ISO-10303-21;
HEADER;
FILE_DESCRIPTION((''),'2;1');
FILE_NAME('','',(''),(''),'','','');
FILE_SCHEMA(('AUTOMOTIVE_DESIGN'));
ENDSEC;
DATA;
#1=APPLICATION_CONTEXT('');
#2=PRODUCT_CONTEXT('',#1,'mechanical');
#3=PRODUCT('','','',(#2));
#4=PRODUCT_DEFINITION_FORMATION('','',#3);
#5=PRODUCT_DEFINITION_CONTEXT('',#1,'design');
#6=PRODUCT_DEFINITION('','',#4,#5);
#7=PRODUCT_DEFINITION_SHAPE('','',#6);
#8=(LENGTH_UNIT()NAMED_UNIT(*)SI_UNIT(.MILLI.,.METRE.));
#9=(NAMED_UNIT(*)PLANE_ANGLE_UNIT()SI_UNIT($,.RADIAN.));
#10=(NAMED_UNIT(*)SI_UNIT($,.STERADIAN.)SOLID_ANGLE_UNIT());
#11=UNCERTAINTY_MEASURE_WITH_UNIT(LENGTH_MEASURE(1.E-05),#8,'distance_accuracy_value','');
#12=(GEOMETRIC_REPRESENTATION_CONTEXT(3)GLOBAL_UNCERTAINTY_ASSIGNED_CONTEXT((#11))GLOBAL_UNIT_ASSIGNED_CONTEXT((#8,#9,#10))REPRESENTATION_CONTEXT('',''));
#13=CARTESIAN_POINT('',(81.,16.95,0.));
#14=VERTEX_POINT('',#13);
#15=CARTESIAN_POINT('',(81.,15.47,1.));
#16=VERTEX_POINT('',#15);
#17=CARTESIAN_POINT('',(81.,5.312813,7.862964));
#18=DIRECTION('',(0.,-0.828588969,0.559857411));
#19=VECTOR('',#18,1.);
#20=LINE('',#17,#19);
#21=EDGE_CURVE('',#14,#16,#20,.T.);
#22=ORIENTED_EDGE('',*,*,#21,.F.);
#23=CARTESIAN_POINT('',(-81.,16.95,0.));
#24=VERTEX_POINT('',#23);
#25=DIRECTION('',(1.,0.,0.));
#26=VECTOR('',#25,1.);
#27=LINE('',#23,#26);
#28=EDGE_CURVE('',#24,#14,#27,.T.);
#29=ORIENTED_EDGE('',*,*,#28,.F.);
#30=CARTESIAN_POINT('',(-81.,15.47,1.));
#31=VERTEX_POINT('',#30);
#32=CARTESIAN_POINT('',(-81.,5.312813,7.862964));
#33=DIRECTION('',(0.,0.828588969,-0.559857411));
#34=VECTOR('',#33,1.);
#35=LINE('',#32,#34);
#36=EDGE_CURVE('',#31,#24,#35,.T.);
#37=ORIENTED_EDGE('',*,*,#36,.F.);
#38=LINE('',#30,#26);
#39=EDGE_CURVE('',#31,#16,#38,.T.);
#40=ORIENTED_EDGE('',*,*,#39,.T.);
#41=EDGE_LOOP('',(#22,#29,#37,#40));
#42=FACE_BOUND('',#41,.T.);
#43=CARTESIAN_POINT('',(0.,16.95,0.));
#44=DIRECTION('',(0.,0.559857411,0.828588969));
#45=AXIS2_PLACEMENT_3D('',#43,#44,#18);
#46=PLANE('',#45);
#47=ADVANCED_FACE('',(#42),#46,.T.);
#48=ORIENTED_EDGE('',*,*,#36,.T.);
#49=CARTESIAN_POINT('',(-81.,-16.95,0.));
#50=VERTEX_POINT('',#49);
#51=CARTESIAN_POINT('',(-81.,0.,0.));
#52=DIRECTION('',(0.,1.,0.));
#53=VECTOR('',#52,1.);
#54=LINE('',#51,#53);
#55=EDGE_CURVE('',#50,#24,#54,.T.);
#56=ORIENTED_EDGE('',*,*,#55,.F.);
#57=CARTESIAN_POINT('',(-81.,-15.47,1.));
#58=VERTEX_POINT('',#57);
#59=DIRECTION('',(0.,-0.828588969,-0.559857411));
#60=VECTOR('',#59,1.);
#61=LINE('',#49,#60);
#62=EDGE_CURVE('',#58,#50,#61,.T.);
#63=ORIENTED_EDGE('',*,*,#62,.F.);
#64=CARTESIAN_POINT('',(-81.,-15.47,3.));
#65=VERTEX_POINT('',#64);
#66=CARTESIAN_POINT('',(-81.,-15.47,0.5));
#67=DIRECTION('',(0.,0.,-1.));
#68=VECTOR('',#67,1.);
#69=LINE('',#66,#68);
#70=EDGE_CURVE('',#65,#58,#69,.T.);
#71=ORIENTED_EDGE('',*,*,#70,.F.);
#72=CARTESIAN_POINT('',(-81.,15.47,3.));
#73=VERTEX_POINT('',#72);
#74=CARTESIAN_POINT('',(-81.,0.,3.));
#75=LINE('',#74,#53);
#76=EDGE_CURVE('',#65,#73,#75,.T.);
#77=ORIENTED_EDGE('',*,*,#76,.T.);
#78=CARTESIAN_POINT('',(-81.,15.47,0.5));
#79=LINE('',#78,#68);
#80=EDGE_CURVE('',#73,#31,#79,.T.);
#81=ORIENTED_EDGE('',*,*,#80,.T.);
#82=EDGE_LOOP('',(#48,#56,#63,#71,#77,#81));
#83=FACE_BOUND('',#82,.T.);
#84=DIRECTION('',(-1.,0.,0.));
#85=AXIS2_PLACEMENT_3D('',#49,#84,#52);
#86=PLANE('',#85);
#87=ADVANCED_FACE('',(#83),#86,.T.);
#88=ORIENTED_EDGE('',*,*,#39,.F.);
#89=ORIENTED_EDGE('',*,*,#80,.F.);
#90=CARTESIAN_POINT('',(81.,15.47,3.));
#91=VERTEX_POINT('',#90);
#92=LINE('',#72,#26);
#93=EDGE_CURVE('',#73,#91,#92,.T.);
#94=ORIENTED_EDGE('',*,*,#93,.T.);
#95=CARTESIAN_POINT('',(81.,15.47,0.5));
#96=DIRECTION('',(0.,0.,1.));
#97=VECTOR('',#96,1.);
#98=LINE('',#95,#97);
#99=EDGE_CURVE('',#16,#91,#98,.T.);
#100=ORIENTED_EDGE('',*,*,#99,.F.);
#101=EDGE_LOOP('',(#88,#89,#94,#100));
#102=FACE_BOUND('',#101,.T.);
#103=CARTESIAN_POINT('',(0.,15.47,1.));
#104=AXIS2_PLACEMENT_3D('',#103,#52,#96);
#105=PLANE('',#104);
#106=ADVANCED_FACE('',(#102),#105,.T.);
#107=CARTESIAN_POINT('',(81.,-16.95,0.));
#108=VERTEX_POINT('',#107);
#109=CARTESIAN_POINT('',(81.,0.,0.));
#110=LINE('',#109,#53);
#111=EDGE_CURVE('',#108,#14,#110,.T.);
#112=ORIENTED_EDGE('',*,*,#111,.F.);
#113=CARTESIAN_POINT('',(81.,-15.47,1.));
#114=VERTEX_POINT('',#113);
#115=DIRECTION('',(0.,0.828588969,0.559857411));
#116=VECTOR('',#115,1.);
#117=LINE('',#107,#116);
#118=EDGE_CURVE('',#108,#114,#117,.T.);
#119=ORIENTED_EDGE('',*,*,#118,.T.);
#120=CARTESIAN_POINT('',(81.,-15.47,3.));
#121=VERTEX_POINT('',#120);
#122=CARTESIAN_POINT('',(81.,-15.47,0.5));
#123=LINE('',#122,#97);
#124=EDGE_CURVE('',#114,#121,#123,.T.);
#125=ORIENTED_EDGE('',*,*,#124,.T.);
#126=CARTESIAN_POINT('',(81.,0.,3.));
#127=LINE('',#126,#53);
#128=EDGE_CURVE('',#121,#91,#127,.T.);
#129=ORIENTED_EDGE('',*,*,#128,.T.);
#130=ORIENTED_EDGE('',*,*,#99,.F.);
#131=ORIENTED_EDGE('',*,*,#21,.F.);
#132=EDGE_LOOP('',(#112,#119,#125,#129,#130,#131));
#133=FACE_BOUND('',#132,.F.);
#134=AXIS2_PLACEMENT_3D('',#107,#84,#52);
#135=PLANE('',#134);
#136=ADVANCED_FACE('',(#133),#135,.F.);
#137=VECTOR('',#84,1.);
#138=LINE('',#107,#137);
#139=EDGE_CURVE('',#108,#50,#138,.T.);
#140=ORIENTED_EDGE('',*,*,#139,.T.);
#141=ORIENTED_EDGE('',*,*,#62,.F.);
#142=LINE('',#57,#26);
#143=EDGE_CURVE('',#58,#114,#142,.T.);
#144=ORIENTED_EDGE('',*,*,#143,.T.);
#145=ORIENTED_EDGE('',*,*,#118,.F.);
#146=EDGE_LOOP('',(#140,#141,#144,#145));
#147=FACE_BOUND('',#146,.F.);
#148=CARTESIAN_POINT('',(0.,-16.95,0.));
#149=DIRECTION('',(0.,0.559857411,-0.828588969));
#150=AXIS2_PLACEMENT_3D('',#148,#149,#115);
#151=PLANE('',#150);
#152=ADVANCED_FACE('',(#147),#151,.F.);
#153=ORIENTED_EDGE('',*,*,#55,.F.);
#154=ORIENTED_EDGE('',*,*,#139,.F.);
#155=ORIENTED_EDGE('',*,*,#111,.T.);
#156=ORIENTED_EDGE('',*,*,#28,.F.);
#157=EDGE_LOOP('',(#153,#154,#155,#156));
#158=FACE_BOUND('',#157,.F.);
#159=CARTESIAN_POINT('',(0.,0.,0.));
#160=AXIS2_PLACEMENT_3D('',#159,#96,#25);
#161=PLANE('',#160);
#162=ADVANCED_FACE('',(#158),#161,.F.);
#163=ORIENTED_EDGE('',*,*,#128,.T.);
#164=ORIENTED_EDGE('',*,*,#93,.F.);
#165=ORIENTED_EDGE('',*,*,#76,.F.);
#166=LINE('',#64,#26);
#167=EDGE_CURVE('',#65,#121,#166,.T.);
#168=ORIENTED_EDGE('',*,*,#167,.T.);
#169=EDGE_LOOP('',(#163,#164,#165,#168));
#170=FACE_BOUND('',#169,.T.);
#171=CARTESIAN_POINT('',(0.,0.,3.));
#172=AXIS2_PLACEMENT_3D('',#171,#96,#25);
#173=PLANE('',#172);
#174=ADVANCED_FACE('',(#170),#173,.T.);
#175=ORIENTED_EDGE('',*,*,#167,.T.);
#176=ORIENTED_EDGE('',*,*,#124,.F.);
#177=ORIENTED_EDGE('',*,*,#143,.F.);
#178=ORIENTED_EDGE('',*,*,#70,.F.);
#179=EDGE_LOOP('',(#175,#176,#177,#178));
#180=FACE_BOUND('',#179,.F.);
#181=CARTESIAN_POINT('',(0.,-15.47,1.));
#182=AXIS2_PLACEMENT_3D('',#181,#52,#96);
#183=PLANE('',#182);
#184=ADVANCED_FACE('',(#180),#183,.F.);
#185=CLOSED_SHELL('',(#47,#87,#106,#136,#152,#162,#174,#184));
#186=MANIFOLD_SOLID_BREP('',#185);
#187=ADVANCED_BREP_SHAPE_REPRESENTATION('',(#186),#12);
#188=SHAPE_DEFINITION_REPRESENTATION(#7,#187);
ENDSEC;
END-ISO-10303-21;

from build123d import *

# Parameters (mm, degrees)
SKETCH_W             = 162
SKETCH_H             = 33.9
PAD_DEPTH            = 3
POCKET_DEPTH         = 81.001
POCKET_DEPTH_BACK    = 81.001
POCKET001_DEPTH      = 81.001
POCKET001_DEPTH_BACK = 81.001


with BuildPart() as part:
    # Sketch → Pad (new body)
    with BuildSketch(Plane.XY):
        Rectangle(SKETCH_W, SKETCH_H)
    extrude(amount=PAD_DEPTH)

    # Sketch001 → Pocket (cut, two sides)
    with BuildSketch(Plane.YZ) as pocket_sk:
        Polygon((15.47, 3), (16.95, 3), (16.95, 0), (15.47, 1), align=None)
    extrude(amount=-POCKET_DEPTH, mode=Mode.SUBTRACT)
    extrude(pocket_sk.sketch, amount=POCKET_DEPTH_BACK, mode=Mode.SUBTRACT)

    # MirroredSketch → Pocket001 (cut, two sides)
    with BuildSketch(Plane.YZ) as pocket001_sk:
        Polygon((-15.47, 3), (-16.95, 3), (-16.95, 0), (-15.47, 1), align=None)
    extrude(amount=-POCKET001_DEPTH, mode=Mode.SUBTRACT)
    extrude(pocket001_sk.sketch, amount=POCKET001_DEPTH_BACK, mode=Mode.SUBTRACT)


solid = part.part
